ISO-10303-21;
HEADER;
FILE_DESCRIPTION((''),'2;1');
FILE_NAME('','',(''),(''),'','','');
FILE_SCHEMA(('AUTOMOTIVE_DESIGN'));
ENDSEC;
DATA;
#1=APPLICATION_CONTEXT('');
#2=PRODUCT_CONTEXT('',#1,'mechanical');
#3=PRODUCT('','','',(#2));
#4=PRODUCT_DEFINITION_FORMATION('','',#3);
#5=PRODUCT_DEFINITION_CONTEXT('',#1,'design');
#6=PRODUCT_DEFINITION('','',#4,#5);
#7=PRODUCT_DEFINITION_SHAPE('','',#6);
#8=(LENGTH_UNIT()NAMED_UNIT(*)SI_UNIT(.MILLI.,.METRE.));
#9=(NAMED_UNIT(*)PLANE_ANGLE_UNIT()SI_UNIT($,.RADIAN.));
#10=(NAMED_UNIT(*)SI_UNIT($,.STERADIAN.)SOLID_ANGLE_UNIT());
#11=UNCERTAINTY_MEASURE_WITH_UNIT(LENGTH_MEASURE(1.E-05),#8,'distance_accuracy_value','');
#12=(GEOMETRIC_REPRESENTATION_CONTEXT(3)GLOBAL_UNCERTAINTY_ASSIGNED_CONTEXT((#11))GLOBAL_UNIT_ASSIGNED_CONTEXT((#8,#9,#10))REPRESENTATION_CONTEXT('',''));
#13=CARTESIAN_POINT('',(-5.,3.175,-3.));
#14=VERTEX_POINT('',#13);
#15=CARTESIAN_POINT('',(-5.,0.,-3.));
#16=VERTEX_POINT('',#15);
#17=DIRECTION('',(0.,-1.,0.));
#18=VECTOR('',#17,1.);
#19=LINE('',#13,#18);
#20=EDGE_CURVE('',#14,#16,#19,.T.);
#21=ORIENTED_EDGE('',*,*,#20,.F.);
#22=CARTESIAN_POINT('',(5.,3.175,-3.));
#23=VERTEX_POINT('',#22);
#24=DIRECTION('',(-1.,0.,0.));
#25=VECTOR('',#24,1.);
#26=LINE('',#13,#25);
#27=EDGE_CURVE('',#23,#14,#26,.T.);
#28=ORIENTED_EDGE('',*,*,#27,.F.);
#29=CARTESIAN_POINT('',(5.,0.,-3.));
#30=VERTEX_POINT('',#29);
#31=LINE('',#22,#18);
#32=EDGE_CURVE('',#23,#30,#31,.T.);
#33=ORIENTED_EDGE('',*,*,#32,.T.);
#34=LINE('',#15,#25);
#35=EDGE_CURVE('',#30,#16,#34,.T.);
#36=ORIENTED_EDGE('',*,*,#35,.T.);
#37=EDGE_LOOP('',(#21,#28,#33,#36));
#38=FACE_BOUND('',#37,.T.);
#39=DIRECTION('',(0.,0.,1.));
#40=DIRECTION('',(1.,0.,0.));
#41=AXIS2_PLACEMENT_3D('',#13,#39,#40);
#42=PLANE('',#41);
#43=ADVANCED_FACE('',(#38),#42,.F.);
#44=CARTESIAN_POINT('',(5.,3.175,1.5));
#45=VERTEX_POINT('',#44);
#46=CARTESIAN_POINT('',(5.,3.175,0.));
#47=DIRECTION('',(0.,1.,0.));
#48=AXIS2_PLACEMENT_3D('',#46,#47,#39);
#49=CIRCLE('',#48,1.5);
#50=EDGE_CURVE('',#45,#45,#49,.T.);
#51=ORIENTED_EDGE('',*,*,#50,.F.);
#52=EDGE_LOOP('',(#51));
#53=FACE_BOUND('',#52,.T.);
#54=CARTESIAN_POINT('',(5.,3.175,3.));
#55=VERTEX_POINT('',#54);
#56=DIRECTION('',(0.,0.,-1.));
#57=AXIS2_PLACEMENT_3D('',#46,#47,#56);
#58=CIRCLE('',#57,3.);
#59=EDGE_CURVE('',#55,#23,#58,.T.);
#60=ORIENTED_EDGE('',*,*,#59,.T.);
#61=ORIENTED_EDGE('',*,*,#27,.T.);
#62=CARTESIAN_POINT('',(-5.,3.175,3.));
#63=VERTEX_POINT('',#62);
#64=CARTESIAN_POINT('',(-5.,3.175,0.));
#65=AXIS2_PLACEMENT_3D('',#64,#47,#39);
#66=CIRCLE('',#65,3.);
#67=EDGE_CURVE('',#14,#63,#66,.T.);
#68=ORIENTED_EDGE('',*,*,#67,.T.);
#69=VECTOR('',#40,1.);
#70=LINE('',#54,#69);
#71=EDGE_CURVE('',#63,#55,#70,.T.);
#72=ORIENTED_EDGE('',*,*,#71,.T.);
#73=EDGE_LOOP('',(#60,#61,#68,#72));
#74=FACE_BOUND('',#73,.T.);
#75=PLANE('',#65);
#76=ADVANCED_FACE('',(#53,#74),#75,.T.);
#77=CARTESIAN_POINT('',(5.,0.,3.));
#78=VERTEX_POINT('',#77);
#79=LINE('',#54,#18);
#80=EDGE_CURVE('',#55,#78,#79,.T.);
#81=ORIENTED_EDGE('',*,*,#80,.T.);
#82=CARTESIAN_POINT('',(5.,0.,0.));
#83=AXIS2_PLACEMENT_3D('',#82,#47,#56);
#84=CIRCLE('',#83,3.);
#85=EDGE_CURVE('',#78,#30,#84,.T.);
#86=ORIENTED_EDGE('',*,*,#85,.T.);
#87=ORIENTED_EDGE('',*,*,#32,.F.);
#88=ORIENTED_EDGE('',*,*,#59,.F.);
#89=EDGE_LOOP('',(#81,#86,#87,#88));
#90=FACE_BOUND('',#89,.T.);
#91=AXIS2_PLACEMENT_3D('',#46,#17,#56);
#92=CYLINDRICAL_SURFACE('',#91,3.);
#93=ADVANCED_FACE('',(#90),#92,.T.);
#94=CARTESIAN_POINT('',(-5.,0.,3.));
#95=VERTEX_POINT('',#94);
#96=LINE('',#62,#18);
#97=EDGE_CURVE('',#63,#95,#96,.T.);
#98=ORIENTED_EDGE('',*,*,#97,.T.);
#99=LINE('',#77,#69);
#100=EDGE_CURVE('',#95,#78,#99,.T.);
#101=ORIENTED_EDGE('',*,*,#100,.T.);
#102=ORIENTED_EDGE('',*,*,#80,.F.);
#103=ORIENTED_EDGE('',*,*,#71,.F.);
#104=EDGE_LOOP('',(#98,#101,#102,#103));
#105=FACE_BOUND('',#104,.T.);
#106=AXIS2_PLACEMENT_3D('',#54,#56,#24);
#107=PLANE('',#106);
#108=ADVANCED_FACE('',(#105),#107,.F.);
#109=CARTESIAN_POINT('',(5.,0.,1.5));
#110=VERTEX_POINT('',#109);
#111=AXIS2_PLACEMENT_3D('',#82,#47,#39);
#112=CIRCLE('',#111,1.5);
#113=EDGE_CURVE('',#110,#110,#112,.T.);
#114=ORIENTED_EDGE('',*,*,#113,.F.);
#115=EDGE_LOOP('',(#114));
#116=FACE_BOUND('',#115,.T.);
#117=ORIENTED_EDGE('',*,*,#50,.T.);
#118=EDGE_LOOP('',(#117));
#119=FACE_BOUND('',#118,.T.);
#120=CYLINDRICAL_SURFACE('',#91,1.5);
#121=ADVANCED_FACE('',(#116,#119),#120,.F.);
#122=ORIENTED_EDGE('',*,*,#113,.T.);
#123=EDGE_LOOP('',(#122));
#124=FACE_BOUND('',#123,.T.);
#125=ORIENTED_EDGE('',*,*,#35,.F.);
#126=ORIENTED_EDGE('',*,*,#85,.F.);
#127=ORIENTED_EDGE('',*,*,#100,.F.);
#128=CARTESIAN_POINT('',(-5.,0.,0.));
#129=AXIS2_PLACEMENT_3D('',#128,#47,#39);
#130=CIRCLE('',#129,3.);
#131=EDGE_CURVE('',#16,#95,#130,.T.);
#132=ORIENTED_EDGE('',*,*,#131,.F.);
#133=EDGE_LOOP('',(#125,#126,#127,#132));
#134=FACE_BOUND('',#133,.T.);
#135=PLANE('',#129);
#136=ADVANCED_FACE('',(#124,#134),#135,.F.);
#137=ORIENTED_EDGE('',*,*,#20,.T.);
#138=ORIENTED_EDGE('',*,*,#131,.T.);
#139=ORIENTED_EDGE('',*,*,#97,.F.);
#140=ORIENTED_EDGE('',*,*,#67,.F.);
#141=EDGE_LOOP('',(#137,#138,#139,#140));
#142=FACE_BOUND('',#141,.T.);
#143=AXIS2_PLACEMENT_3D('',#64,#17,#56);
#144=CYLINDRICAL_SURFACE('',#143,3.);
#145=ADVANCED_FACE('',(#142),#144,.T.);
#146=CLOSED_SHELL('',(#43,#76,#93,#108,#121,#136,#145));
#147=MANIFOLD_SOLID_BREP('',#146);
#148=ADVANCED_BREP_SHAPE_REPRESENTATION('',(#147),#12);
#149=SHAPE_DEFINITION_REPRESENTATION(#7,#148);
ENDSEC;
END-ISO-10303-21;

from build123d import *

# Parameters (mm, degrees)
SKETCH1_R           = 1.5
BOSS_EXTRUDE1_DEPTH = 3.175


with BuildPart() as part:
    # Sketch1 → Boss-Extrude1 (new body)
    with BuildSketch(Plane(origin=(0, 0, 0), x_dir=(1, 0, 0), z_dir=(0, 1, 0))):
        with BuildLine():
            Line((-5, 3), (5, 3))
            ThreePointArc((5, 3), (8, 0), (5, -3))
            Line((5, -3), (-5, -3))
            ThreePointArc((-5, -3), (-8, 0), (-5, 3))
        make_face()
        with Locations(Location((5, 0, 0), (0, 0, 270))):
            Circle(SKETCH1_R, mode=Mode.SUBTRACT)
    extrude(amount=BOSS_EXTRUDE1_DEPTH)


solid = part.part
